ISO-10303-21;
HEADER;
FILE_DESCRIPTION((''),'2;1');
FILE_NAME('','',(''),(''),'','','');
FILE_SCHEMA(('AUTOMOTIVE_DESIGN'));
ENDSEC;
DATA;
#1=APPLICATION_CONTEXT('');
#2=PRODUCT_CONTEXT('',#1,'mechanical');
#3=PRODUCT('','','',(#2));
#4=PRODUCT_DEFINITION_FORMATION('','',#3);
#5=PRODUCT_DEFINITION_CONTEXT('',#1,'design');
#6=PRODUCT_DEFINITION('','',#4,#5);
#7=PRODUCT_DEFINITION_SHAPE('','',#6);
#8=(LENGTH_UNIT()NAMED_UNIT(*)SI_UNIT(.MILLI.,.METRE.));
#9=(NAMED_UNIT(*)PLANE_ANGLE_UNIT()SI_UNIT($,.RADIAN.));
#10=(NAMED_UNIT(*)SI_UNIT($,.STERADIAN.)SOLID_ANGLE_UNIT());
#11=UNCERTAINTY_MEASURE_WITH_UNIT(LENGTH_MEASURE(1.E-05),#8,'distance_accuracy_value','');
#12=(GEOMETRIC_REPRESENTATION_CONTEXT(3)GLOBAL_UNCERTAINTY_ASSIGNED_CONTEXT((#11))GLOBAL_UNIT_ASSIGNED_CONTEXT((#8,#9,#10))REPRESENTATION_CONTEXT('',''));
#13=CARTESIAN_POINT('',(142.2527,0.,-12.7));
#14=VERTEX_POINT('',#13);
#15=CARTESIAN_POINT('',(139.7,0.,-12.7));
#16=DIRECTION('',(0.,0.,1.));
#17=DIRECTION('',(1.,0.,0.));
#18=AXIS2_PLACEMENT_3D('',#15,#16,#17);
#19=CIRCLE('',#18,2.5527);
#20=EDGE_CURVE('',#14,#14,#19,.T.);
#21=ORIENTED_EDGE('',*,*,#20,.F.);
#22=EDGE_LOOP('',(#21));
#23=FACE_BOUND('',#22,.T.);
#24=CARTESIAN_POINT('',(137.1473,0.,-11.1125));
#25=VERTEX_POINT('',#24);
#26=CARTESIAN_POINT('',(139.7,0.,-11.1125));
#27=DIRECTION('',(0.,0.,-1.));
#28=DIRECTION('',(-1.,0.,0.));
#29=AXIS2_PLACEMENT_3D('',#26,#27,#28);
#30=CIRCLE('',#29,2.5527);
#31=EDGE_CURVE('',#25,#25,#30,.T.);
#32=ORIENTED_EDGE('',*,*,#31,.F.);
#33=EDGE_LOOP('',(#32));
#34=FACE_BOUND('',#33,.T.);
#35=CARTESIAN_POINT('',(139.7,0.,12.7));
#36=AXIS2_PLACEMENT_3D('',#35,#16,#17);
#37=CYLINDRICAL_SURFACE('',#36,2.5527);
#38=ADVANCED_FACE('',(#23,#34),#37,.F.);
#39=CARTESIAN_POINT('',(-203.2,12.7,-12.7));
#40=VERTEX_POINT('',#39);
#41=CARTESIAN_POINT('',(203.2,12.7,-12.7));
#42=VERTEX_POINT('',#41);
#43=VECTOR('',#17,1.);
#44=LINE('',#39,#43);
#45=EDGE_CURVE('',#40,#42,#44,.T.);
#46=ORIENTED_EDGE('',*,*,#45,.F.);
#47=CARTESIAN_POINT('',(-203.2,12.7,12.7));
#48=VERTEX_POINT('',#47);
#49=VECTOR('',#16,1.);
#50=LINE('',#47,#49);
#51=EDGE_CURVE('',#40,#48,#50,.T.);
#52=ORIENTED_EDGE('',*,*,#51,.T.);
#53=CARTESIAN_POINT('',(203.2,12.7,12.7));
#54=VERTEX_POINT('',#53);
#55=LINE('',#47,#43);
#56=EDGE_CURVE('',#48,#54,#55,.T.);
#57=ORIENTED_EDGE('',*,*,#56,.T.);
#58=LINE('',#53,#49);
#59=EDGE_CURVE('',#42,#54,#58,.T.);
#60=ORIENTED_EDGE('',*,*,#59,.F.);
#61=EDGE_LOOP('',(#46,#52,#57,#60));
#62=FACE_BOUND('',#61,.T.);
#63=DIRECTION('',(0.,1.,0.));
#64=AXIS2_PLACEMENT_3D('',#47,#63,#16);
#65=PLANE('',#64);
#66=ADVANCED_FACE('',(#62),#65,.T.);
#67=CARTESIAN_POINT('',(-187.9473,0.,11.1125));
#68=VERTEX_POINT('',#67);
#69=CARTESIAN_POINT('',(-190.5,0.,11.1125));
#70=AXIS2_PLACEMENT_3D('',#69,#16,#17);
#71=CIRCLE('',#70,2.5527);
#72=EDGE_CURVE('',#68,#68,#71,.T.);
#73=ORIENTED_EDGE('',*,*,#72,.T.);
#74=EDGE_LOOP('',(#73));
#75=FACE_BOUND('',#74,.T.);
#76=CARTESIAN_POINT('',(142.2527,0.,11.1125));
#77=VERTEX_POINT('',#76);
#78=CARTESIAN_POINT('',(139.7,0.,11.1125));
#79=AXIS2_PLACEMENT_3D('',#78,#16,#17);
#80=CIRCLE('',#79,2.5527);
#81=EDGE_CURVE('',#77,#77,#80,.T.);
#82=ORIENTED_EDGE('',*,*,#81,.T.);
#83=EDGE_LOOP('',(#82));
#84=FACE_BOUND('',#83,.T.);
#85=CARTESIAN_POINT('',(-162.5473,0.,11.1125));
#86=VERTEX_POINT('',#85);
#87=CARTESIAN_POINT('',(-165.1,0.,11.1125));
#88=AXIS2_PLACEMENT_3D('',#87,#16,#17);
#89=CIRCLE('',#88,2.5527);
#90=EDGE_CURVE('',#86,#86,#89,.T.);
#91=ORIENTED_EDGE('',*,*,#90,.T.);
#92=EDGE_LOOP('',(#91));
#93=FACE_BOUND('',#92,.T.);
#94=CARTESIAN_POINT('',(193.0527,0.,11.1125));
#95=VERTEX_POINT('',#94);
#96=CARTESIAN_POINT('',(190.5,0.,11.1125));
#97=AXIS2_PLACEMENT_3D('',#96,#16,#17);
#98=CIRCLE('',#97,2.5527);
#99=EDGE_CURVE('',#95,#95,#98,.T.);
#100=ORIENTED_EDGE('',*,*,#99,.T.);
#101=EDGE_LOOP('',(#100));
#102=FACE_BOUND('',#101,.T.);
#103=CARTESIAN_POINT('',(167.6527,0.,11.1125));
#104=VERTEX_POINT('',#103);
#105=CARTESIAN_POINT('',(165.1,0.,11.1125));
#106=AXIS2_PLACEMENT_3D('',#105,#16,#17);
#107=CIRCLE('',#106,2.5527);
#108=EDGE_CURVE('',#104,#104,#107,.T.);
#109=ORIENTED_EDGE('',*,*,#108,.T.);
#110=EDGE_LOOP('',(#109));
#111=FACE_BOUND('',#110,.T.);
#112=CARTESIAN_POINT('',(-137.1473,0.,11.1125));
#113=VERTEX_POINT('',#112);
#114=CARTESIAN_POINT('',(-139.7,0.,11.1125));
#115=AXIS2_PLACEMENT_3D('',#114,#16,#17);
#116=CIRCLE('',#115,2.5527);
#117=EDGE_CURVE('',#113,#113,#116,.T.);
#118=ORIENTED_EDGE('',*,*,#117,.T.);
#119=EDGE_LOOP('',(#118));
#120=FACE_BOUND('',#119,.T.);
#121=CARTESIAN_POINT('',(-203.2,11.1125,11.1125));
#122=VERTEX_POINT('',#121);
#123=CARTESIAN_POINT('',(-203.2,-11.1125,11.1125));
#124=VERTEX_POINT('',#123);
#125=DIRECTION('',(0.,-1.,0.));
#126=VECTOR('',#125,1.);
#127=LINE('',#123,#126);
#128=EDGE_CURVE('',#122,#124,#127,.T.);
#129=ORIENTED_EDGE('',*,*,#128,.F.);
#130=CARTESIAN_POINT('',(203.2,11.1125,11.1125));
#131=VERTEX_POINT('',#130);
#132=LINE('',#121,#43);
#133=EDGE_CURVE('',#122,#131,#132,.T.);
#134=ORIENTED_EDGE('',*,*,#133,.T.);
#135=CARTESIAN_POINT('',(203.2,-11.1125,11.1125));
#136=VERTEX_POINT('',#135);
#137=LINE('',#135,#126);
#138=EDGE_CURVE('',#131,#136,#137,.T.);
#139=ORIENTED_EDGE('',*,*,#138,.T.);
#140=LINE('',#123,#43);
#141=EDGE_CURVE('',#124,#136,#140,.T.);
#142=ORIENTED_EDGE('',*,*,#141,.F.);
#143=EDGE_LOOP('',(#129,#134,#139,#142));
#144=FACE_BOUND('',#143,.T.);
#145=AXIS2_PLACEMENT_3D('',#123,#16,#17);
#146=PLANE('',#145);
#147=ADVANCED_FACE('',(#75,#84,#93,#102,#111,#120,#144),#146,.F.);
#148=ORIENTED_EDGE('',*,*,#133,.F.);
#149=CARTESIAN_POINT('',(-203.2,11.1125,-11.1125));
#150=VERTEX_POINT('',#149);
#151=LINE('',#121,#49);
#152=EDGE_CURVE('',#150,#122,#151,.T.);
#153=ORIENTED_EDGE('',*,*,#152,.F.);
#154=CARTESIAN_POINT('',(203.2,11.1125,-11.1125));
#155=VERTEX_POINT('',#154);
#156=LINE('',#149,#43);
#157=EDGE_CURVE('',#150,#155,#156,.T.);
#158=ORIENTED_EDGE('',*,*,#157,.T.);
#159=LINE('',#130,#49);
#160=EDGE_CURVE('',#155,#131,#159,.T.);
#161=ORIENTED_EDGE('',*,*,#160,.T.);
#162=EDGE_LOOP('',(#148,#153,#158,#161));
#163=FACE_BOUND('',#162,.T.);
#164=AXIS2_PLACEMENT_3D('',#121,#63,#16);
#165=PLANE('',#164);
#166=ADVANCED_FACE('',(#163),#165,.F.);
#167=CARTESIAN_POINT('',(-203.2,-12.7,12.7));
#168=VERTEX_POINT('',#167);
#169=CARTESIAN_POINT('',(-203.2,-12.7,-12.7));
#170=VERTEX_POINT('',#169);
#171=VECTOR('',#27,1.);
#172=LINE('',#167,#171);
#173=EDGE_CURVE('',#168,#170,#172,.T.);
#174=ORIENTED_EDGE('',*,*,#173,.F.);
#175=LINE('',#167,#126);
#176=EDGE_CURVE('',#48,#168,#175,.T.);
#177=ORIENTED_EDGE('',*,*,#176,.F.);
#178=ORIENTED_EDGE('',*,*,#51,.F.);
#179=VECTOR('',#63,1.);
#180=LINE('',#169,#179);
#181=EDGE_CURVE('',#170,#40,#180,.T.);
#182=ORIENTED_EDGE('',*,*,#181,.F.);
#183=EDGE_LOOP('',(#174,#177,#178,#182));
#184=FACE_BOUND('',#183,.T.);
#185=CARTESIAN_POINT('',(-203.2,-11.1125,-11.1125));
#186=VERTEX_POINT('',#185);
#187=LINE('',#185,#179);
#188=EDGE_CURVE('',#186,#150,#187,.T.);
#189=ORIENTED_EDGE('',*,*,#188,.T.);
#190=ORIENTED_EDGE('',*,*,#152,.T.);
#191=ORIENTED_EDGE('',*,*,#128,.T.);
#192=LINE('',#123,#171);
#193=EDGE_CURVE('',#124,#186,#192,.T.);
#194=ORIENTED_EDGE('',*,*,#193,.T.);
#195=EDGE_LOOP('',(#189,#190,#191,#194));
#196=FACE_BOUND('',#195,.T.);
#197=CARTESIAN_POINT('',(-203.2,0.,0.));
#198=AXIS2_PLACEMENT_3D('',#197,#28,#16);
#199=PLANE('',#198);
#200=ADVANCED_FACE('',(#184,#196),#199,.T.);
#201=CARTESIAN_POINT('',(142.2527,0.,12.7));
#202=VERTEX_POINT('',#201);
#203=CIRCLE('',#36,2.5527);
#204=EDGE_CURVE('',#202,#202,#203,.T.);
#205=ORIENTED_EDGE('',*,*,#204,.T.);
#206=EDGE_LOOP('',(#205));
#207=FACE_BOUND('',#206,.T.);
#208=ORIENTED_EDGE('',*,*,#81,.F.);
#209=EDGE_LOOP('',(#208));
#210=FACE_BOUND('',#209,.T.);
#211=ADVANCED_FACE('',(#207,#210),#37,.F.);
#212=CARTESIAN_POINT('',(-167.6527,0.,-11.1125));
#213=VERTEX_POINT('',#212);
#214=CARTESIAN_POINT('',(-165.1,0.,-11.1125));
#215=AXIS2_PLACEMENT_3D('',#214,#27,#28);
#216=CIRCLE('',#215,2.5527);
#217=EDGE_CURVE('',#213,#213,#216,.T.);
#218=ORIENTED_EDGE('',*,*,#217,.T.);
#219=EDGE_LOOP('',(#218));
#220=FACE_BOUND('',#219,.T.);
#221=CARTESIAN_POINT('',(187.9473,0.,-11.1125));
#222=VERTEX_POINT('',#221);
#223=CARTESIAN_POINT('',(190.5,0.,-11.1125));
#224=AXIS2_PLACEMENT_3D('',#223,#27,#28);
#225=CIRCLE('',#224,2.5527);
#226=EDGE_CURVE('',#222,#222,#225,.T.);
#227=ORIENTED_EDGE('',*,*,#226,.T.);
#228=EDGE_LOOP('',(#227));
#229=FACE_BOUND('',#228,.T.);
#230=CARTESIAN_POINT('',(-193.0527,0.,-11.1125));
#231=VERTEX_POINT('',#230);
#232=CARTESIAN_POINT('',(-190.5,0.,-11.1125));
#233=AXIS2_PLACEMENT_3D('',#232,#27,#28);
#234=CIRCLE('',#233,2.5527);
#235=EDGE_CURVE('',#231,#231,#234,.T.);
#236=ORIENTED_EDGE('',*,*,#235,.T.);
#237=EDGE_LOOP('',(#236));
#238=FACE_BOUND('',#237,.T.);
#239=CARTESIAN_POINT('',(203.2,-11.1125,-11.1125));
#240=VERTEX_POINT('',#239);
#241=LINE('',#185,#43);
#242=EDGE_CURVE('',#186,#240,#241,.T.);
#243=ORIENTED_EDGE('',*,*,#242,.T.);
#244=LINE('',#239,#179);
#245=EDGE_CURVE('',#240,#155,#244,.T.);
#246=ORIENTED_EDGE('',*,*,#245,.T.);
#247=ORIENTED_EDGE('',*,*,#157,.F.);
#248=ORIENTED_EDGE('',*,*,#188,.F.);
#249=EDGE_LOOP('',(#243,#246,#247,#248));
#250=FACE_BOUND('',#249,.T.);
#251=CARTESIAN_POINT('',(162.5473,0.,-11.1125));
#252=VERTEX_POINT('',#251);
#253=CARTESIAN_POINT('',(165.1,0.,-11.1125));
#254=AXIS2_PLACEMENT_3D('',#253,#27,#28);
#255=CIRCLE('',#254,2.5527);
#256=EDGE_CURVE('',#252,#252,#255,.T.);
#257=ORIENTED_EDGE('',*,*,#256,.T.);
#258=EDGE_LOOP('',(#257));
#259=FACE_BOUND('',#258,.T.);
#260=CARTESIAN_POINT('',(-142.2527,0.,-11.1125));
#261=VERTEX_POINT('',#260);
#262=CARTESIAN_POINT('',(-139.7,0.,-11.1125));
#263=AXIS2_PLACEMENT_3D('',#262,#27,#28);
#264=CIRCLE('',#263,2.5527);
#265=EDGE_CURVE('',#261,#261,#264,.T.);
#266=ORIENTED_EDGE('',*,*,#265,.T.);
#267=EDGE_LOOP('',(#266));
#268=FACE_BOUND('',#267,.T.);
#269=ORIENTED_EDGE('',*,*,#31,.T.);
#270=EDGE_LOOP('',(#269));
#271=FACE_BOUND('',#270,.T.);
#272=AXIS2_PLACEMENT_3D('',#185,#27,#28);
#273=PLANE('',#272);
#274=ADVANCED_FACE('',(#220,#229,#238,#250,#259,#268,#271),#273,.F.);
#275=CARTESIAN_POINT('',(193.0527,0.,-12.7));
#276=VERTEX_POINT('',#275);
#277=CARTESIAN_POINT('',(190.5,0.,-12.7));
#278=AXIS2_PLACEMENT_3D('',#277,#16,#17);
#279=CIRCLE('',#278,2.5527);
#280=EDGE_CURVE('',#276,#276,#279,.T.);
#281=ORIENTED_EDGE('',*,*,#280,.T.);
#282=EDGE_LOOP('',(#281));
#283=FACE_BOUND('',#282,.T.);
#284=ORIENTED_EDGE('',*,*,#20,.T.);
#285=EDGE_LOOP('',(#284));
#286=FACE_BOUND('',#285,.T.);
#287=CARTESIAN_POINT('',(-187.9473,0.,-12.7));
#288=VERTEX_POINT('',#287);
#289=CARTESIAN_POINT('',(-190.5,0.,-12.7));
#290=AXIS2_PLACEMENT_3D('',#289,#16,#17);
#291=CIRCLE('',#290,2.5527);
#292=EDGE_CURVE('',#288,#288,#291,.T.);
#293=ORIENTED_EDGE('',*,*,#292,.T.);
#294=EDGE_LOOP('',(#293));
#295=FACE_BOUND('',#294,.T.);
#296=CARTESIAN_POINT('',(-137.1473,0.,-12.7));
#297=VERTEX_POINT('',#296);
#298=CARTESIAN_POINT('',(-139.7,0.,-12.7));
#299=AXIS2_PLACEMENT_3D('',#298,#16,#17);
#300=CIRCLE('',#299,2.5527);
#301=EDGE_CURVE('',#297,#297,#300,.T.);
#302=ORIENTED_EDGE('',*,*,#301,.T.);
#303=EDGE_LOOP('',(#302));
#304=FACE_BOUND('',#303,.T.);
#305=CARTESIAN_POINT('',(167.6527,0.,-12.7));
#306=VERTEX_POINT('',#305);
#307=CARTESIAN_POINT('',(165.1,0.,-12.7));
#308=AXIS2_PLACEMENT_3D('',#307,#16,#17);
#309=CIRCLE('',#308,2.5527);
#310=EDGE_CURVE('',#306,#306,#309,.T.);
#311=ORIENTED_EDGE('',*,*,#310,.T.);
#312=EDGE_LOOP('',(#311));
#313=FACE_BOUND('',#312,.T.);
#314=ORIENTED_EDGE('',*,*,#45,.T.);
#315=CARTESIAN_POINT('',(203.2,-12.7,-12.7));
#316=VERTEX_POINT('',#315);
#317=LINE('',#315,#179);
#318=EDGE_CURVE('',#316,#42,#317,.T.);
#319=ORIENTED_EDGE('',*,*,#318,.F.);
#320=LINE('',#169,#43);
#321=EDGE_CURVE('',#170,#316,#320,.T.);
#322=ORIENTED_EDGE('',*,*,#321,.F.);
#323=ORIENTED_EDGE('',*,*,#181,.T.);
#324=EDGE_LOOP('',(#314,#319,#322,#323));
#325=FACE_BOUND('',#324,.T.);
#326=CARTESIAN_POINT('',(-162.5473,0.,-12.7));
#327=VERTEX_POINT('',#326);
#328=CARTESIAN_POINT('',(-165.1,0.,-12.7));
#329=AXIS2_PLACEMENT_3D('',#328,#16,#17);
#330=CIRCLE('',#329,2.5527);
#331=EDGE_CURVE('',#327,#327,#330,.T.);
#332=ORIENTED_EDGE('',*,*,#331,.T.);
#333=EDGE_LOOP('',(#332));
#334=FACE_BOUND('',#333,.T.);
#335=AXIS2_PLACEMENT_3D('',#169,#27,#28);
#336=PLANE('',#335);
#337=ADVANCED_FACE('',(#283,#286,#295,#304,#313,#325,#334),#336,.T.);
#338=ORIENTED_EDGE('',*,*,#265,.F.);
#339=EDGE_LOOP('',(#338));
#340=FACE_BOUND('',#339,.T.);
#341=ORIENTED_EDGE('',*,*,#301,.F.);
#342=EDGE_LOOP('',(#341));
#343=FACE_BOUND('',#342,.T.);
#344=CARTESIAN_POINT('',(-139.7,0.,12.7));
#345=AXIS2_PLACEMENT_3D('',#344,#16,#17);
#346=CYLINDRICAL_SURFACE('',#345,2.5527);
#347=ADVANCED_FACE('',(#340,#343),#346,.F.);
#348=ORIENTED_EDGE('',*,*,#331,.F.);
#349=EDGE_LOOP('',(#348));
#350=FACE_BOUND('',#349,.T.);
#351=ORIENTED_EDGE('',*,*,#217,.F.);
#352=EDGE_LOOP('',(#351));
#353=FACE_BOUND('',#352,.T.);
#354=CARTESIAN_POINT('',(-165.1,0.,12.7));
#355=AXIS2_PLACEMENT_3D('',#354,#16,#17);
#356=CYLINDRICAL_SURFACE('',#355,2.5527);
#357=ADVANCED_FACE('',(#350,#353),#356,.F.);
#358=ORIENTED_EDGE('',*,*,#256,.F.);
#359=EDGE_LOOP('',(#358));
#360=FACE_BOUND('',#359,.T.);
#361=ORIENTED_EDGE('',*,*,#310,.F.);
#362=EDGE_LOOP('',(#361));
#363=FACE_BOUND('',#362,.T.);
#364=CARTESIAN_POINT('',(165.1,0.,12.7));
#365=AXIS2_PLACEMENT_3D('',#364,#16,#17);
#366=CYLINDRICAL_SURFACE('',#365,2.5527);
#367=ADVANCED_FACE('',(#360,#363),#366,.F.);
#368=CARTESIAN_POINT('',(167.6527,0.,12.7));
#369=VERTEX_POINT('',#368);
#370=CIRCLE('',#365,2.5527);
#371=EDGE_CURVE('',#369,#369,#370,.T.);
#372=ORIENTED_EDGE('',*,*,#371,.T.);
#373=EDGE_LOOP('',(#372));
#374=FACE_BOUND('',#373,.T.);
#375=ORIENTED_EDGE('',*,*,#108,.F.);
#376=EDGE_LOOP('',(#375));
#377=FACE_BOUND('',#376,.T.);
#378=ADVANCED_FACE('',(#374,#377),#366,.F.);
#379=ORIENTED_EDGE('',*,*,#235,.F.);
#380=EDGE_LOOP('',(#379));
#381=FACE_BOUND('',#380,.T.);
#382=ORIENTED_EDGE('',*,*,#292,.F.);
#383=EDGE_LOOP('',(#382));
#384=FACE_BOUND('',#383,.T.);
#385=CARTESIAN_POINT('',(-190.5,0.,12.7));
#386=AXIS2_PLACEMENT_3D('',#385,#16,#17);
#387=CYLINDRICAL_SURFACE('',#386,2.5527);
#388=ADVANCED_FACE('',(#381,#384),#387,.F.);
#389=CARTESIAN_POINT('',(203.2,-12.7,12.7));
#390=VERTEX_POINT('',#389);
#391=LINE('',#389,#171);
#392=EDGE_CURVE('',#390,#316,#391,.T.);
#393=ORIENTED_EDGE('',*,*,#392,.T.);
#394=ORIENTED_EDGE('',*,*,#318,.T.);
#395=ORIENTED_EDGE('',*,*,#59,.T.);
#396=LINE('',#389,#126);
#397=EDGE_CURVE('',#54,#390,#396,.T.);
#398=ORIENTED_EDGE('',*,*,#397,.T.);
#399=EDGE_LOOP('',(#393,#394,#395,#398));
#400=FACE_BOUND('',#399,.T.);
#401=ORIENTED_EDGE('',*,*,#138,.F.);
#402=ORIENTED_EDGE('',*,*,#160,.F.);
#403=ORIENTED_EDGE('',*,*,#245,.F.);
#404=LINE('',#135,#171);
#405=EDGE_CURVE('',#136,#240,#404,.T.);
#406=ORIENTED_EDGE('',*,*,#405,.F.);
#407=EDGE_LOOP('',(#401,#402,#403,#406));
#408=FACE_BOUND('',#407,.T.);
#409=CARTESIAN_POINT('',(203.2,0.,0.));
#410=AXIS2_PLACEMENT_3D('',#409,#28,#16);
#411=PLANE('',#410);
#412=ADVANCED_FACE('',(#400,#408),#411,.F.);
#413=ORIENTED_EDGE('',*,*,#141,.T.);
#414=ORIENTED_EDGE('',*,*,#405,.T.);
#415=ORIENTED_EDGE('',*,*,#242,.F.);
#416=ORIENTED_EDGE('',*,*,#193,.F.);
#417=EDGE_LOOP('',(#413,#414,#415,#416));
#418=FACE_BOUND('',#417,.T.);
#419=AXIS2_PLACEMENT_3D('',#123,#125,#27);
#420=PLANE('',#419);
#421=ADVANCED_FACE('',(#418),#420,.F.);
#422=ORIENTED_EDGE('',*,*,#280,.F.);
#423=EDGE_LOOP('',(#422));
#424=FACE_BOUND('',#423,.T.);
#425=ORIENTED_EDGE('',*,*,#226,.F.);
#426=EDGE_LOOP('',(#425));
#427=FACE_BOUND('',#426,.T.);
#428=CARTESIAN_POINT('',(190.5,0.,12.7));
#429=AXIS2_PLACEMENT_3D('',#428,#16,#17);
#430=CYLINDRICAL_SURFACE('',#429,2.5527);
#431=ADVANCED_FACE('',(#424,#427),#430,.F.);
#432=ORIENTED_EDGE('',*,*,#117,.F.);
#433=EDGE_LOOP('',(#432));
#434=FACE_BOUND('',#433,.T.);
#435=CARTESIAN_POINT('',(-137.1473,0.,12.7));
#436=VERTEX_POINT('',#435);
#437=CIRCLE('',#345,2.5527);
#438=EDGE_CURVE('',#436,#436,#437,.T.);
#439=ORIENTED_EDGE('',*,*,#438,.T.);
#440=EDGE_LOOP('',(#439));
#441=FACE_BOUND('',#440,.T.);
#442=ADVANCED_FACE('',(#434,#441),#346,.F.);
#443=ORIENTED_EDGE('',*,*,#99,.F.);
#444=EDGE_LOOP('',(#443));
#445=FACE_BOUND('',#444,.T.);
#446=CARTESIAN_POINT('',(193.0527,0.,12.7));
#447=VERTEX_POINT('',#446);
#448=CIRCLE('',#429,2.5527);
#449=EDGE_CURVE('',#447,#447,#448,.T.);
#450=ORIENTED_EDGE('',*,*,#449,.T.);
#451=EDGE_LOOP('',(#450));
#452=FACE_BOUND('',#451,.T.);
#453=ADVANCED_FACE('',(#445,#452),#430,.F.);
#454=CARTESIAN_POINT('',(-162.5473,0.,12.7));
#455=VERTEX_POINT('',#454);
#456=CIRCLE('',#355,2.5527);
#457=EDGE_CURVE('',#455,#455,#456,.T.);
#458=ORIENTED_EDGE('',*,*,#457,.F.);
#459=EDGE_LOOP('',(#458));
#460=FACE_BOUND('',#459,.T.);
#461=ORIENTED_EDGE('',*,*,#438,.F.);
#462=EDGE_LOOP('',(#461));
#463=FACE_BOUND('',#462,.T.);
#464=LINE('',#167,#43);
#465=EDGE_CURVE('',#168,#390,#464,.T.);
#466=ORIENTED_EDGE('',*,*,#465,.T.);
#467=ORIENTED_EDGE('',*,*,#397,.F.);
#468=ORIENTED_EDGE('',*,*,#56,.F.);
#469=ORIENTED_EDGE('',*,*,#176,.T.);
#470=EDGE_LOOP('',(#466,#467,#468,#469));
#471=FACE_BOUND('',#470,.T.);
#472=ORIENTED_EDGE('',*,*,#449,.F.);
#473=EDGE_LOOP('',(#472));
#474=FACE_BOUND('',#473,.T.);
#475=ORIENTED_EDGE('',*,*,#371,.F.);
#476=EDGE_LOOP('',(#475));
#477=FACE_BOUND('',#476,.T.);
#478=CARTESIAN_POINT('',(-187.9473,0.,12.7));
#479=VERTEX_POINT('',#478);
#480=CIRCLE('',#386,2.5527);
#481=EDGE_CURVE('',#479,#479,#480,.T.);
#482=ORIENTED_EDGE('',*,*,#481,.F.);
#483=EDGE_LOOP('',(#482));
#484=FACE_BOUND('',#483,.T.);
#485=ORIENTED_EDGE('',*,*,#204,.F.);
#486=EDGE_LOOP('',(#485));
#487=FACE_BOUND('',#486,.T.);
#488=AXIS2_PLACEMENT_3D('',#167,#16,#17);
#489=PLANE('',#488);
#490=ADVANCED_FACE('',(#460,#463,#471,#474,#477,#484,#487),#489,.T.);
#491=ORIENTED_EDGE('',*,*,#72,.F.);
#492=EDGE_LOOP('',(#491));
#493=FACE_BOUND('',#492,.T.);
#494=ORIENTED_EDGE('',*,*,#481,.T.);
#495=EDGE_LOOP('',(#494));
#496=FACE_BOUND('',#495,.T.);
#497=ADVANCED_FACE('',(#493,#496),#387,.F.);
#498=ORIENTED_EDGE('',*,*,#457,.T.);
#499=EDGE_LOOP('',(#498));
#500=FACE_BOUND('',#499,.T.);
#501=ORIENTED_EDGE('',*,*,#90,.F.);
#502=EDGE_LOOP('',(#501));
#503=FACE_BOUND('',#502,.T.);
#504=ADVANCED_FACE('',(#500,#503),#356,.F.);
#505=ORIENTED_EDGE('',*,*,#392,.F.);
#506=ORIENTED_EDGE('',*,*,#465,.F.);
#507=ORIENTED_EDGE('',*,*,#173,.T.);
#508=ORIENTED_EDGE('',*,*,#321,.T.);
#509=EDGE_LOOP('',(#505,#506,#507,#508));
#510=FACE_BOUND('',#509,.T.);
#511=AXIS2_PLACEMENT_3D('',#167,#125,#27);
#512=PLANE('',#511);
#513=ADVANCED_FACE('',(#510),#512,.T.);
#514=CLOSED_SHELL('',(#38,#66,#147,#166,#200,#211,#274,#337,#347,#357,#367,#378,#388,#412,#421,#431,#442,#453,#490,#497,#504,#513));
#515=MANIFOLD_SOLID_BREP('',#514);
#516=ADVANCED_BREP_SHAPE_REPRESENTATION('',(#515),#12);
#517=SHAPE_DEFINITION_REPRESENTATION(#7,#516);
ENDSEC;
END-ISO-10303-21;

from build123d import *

# Parameters (mm, degrees)
BOSS_EXTRUDE1_DEPTH        = 203.2
BOSS_EXTRUDE1_DEPTH_BACK   = 203.2
SKETCH1_W                  = 25.4
SKETCH1_H                  = 25.4
SKETCH1_W_2                = 22.225
SKETCH1_H_2                = 22.225
F_7_0_201_DIAMETER_HOLE2_D = 5.1054


with BuildPart() as part:
    # Sketch1 → Boss-Extrude1 (new, two sides: drawn at the far end of the back side and taken through both)
    with BuildSketch(Plane(origin=(0, 0, 0), x_dir=(0, 0, -1), z_dir=(1, 0, 0)).offset(-BOSS_EXTRUDE1_DEPTH_BACK)):
        Rectangle(SKETCH1_W, SKETCH1_H)
        Rectangle(SKETCH1_W_2, SKETCH1_H_2, mode=Mode.SUBTRACT)
    extrude(amount=BOSS_EXTRUDE1_DEPTH + BOSS_EXTRUDE1_DEPTH_BACK)

    # #7 (0.201) Diameter Hole2 (through all)
    with Locations(Plane.XY.offset(12.7)):
        with Locations((190.5, 0), (165.1, 0), (139.7, 0), (-139.7, 0), (-165.1, 0), (-190.5, 0)):
            Hole(F_7_0_201_DIAMETER_HOLE2_D / 2)


solid = part.part
